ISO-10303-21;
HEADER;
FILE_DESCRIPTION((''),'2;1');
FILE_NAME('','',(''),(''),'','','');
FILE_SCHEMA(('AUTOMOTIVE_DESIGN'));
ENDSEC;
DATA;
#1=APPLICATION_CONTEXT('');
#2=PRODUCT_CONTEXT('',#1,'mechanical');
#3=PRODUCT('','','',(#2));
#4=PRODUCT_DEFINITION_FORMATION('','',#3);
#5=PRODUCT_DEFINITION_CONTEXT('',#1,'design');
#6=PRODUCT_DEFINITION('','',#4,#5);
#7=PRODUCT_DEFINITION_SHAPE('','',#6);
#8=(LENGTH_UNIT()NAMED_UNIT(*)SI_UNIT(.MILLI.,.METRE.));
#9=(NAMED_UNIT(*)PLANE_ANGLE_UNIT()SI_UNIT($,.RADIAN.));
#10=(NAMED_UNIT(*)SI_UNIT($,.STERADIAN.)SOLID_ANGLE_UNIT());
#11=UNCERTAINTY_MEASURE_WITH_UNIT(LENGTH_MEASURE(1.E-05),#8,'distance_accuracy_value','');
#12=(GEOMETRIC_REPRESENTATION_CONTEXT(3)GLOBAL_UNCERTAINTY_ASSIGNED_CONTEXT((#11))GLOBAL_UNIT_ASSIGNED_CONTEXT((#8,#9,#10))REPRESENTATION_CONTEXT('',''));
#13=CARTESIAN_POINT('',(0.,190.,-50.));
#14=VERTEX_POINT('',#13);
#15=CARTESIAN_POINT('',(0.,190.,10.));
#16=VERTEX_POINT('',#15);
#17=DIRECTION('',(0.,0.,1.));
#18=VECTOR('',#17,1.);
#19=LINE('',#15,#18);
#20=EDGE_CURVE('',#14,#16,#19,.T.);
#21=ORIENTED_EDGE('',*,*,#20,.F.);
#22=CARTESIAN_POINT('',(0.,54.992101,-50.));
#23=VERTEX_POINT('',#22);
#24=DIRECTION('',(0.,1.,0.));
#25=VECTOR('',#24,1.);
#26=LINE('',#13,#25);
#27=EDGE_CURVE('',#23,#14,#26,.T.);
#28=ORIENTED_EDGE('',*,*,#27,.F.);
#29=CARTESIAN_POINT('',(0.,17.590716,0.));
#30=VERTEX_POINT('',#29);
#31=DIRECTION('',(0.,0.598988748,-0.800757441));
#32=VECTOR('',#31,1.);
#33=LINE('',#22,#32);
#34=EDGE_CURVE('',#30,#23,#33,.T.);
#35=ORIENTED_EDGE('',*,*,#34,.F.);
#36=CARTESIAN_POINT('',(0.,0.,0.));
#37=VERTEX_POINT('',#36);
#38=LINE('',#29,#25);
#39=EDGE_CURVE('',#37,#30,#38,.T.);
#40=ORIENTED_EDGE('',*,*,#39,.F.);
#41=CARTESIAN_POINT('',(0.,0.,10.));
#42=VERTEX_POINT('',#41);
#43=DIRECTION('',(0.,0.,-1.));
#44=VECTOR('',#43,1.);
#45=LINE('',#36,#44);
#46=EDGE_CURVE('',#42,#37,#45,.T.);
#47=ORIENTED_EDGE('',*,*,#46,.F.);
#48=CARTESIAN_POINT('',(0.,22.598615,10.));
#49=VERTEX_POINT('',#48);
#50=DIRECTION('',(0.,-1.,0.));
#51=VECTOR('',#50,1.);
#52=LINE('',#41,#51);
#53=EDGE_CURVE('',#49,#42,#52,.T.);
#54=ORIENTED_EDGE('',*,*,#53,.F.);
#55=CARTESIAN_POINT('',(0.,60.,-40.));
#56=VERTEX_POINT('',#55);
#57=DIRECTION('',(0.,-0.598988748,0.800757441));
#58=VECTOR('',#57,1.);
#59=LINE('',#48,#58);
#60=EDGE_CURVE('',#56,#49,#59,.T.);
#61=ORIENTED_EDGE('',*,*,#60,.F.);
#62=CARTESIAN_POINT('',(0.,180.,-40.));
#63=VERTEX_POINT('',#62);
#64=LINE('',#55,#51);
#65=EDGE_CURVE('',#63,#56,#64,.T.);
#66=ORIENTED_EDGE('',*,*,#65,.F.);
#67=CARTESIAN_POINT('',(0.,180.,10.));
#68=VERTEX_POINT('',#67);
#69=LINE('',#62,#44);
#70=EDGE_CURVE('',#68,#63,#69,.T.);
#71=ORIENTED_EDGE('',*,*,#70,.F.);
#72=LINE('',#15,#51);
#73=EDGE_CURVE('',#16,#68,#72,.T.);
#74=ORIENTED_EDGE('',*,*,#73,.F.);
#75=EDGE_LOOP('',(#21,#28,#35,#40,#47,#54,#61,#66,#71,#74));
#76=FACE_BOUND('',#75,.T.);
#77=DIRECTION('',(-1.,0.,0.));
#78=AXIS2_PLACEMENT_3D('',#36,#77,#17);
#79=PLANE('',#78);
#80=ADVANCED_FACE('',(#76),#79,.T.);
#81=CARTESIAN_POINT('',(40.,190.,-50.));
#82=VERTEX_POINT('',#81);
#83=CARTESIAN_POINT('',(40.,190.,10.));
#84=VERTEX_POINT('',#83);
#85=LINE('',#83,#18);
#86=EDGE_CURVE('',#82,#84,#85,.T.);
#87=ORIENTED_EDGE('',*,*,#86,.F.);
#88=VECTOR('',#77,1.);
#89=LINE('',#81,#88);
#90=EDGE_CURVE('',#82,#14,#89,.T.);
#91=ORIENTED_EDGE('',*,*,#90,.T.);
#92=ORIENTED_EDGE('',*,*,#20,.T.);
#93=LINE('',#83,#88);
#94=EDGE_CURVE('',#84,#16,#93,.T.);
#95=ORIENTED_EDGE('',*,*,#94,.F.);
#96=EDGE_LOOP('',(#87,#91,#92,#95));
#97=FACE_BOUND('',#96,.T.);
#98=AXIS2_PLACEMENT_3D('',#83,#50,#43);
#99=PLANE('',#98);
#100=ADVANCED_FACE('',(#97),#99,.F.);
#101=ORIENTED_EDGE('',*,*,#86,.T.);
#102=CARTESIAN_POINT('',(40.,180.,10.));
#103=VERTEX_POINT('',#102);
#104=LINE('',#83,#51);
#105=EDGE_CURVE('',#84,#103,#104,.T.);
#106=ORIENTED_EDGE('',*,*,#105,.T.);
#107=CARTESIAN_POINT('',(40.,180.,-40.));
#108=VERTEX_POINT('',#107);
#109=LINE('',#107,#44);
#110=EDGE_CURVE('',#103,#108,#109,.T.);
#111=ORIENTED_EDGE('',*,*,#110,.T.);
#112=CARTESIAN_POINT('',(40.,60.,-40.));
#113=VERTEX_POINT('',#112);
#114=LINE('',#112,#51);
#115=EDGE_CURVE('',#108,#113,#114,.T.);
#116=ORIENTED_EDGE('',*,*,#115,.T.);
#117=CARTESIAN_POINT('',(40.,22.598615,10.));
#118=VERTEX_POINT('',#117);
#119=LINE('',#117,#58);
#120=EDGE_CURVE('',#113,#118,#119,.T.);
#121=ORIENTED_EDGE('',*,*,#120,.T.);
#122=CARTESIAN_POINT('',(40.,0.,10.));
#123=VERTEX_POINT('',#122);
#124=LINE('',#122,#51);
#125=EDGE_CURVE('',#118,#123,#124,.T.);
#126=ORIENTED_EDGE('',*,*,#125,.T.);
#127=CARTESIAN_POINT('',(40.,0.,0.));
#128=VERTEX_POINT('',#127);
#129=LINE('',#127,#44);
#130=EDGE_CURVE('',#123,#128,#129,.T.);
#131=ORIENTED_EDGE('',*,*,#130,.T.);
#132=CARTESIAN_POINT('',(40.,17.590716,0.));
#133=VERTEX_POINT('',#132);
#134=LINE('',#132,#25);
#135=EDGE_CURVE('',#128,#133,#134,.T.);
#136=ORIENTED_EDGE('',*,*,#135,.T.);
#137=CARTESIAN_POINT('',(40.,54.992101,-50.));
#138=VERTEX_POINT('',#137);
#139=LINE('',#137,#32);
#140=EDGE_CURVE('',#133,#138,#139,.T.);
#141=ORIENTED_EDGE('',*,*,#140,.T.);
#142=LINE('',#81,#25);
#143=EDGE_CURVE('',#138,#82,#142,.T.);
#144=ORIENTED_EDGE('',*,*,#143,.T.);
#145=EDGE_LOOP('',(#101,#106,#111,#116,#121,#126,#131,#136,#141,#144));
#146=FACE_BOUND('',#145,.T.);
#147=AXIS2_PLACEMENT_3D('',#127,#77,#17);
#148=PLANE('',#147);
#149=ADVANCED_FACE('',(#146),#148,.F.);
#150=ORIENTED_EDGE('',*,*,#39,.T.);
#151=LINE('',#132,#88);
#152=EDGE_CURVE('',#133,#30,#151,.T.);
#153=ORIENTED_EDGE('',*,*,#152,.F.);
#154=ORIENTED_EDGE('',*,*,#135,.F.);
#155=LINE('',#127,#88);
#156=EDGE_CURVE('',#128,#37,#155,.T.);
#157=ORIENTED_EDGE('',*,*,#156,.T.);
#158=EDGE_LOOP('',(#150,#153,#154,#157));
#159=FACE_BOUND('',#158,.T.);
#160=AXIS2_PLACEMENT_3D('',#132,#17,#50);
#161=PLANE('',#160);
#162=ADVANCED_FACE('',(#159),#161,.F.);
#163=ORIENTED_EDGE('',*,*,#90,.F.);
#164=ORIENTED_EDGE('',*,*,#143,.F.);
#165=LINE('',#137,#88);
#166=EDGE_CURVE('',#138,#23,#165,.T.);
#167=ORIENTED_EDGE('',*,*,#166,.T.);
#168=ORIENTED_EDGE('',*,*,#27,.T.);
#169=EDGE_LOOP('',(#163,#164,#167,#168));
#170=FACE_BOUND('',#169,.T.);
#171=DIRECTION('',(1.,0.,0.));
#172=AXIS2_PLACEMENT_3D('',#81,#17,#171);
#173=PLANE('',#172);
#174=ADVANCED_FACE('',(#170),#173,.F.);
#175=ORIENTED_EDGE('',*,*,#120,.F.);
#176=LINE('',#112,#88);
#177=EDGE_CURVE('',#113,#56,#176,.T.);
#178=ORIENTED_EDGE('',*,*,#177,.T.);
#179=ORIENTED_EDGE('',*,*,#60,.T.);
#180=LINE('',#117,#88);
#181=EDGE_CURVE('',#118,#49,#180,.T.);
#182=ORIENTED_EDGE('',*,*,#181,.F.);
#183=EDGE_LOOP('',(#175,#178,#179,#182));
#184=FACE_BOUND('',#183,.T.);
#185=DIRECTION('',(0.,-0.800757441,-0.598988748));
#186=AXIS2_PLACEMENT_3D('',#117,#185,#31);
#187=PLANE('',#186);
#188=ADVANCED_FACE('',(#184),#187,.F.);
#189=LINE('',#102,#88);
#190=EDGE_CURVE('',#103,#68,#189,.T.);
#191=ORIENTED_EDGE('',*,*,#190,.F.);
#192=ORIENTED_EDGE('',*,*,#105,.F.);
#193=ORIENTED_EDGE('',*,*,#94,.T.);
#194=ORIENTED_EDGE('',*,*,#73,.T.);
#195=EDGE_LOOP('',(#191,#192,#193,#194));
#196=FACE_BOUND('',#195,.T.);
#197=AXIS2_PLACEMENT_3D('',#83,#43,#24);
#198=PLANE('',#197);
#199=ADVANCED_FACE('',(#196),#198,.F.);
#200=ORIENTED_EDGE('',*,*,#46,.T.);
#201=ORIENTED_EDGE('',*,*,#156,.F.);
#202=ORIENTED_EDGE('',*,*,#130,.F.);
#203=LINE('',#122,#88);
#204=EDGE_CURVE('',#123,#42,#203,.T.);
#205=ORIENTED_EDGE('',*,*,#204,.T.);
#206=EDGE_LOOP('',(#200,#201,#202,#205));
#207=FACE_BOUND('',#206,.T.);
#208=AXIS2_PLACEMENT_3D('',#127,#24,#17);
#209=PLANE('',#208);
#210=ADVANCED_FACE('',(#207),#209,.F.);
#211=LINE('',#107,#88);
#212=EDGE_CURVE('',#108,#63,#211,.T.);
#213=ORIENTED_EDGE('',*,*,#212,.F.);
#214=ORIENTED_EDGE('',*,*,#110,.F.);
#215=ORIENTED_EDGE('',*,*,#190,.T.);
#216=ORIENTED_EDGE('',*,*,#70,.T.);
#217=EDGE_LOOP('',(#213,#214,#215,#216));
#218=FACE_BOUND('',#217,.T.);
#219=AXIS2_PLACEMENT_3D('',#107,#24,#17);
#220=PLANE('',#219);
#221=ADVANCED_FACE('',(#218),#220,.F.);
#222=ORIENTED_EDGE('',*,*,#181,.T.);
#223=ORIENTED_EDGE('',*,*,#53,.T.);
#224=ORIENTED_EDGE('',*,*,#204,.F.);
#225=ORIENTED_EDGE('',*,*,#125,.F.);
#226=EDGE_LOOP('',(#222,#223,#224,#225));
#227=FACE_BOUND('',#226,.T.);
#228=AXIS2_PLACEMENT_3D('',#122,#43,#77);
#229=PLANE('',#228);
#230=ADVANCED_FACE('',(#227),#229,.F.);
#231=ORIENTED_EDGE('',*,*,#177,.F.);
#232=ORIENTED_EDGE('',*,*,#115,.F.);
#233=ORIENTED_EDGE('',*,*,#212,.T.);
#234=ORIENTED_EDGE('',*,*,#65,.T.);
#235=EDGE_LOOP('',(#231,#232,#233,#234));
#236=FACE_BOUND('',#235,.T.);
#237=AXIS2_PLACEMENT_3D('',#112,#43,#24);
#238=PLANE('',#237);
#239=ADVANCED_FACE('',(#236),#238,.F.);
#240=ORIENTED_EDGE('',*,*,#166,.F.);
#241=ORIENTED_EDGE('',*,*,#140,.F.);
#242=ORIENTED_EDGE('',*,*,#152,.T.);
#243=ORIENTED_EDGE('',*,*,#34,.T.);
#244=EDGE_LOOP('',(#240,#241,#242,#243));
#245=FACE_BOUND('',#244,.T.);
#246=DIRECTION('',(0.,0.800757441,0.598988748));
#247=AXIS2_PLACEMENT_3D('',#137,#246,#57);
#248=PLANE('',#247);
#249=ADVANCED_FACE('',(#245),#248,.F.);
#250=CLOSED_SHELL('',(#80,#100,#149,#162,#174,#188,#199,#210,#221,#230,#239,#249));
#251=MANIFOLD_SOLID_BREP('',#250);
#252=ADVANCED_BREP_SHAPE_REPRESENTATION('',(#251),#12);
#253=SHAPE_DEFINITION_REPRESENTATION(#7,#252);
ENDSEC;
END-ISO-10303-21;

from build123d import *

# Parameters (mm, degrees)
BOSS_EXTRUDE1_DEPTH = 40


with BuildPart() as part:
    # Sketch1 → Boss-Extrude1 (new body)
    with BuildSketch(Plane(origin=(0, 0, 0), x_dir=(0, 0, -1), z_dir=(1, 0, 0))):
        Polygon((-10, 190), (50, 190), (50, 54.99210084), (0, 17.590715743), (0, 0), (-10, 0), (-10, 22.598614903), (40, 60), (40, 180), (-10, 180), align=None)
    extrude(amount=BOSS_EXTRUDE1_DEPTH)


solid = part.part
